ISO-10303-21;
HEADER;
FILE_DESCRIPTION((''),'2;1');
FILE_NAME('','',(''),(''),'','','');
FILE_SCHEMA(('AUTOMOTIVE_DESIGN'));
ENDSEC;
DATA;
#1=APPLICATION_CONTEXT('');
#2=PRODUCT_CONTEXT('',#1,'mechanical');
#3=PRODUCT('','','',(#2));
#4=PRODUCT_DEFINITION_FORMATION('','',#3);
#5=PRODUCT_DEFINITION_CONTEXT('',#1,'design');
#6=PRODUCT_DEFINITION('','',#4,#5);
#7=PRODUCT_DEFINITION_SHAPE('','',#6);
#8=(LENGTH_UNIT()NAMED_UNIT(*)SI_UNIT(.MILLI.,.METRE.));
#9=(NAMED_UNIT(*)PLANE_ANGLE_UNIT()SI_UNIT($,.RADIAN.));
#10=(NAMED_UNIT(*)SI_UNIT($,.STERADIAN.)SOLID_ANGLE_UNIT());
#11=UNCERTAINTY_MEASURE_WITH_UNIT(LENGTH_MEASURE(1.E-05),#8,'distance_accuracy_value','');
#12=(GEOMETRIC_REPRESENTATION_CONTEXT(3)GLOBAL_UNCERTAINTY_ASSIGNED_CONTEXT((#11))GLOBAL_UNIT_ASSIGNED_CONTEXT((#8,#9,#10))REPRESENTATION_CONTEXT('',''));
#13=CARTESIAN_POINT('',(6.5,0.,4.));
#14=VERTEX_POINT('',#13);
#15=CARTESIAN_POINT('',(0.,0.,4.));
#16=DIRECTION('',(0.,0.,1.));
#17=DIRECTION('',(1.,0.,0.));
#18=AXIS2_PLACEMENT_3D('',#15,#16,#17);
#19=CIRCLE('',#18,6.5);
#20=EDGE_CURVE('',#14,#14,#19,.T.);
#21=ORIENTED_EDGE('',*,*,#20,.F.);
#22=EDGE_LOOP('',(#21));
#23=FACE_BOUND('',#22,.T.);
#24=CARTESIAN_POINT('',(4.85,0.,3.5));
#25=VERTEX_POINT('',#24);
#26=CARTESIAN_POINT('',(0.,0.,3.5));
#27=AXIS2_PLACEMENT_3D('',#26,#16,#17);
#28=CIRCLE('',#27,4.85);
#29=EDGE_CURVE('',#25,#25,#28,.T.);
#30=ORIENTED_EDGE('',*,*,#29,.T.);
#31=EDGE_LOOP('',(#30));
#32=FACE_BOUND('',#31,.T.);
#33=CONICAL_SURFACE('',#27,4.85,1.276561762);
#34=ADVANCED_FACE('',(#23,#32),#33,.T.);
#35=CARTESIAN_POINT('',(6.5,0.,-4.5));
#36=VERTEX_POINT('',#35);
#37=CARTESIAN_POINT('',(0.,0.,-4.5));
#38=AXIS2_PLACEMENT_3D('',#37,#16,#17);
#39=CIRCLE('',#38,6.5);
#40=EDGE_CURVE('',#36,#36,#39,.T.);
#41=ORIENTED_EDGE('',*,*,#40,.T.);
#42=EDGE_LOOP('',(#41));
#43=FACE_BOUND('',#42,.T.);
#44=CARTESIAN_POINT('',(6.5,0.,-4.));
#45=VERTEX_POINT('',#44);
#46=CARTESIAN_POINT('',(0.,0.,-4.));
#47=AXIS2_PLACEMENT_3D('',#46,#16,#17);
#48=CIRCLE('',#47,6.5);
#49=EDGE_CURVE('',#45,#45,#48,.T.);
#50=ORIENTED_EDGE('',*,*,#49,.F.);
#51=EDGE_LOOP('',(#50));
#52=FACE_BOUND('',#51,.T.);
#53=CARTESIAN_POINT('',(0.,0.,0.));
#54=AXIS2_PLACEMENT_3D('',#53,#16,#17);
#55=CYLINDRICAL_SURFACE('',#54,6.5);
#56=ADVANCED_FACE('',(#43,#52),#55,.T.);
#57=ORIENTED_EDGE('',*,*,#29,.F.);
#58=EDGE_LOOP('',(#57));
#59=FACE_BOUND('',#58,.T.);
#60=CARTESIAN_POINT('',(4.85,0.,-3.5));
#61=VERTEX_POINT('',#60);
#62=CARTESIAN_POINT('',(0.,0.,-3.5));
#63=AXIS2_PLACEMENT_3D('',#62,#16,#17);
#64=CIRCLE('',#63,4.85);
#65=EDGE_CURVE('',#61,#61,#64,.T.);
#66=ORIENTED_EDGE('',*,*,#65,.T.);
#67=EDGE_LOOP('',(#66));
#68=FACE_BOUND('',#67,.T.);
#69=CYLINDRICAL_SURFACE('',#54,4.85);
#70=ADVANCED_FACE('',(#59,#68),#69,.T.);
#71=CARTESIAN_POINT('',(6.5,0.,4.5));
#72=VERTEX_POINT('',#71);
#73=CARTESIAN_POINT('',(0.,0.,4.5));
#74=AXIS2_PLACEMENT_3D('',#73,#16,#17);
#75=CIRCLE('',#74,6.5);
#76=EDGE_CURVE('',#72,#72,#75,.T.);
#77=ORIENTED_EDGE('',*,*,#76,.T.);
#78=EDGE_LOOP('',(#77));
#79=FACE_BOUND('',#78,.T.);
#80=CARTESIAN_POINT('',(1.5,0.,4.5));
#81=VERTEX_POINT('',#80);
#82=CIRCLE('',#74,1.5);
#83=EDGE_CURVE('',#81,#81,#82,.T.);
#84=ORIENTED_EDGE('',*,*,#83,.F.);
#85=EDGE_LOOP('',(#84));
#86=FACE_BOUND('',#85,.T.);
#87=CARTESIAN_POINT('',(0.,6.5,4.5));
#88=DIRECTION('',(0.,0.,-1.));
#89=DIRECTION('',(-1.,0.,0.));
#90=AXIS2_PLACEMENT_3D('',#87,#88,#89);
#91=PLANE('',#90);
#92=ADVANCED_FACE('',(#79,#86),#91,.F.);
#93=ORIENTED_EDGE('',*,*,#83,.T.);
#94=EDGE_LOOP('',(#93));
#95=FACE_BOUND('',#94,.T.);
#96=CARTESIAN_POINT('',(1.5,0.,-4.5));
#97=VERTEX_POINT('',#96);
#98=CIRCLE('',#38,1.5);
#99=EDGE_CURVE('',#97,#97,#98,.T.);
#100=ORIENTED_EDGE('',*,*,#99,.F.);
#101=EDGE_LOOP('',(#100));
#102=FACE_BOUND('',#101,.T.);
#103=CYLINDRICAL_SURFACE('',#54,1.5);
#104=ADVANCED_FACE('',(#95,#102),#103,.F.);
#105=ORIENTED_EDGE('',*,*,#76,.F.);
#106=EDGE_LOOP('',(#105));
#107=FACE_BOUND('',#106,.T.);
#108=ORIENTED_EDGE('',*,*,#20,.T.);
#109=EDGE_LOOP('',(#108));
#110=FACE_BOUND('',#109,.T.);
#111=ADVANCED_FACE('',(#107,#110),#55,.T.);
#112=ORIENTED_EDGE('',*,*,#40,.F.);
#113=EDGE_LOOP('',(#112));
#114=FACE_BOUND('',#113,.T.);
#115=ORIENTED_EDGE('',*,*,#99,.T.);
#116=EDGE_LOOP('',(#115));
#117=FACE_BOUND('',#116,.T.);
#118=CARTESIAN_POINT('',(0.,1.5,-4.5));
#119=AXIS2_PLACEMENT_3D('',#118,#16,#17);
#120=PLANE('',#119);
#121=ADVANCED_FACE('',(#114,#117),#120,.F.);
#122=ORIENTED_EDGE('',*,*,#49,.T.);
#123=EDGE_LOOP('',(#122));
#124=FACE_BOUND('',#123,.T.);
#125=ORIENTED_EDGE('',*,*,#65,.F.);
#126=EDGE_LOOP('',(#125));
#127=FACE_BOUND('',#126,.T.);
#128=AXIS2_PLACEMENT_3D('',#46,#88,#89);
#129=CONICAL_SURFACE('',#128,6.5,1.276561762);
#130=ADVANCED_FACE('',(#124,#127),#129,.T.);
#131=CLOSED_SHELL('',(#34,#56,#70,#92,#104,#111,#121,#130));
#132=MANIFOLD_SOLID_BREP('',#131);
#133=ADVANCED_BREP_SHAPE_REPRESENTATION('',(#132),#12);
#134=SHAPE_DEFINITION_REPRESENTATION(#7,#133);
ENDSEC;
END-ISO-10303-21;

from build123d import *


with BuildPart() as part:
    # Эскиз1 → Повернуть1 (revolve)
    with BuildSketch(Plane(origin=(0, 0, 0), x_dir=(0, 0, -1), z_dir=(1, 0, 0)), mode=Mode.PRIVATE) as revolve_1_sk:
        Polygon((3.5, 4.85), (4, 6.5), (4.5, 6.5), (4.5, 1.5), (-4.5, 1.5), (-4.5, 6.5), (-4, 6.5), (-3.5, 4.85), align=None)
    revolve(revolve_1_sk.sketch.rotate(Axis((0, 0, 0), (0, 0, -1)), 90), axis=Axis((0, 0, 0), (0, 0, -1)))


solid = part.part
